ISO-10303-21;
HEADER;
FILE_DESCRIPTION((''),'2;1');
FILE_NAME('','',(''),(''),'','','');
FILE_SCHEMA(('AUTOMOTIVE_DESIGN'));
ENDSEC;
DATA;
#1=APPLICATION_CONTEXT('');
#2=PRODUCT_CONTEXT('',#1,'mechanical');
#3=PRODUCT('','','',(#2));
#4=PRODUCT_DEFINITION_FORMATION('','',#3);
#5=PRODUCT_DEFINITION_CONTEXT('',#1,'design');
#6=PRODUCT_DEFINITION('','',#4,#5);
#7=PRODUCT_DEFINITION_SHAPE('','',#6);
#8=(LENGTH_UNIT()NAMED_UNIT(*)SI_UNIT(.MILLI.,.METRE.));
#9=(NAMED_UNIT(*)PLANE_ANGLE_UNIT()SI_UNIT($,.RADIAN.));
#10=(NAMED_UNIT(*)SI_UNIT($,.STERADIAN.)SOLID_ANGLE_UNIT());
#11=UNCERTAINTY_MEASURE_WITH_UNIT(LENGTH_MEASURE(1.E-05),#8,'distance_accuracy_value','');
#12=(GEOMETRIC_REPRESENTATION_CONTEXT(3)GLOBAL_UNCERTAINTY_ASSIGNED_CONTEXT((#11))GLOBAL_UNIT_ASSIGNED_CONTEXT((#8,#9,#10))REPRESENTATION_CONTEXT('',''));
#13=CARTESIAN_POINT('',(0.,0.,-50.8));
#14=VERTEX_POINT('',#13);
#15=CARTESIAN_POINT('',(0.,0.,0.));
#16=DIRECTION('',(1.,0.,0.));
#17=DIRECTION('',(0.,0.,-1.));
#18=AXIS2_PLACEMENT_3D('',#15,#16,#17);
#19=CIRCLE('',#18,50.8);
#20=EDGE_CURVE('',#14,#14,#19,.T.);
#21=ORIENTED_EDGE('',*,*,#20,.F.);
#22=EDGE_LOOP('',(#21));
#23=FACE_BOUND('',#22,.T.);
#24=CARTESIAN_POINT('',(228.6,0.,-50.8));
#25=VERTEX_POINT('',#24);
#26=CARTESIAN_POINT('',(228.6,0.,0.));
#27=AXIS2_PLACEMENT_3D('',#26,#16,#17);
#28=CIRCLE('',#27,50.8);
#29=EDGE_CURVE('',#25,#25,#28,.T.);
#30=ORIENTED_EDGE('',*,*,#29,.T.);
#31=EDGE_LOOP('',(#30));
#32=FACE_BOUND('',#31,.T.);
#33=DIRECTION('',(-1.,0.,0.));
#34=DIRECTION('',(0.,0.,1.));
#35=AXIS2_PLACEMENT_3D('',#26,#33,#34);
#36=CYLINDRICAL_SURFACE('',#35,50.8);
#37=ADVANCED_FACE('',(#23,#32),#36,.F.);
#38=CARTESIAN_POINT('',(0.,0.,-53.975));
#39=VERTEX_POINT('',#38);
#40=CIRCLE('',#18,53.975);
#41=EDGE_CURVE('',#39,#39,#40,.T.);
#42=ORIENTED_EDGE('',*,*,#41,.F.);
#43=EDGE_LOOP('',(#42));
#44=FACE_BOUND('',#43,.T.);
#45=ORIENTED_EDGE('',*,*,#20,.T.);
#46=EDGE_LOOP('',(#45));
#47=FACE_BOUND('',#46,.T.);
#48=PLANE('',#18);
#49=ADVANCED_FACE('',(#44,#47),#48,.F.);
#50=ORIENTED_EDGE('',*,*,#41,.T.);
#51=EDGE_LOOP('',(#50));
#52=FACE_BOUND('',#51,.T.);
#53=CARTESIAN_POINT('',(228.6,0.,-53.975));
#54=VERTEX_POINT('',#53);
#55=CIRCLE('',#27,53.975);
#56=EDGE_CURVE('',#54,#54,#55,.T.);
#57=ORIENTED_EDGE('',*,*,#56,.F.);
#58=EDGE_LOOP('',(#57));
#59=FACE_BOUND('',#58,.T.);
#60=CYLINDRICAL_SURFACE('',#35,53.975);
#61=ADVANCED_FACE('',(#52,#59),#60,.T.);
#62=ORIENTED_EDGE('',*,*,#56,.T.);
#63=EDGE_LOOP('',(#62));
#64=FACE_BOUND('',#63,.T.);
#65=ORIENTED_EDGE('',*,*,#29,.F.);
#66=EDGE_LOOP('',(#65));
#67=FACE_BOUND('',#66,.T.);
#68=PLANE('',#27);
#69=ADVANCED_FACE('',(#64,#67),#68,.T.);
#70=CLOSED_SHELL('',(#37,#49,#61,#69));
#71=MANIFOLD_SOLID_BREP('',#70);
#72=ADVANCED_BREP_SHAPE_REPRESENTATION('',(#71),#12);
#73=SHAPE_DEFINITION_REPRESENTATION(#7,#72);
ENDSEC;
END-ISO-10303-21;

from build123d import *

# Parameters (mm, degrees)
SKETCH1_R           = 53.975
SKETCH1_R_2         = 50.8
BOSS_EXTRUDE1_DEPTH = 228.6


with BuildPart() as part:
    # Sketch1 → Boss-Extrude1 (new body)
    with BuildSketch(Plane(origin=(0, 0, 0), x_dir=(0, 0, -1), z_dir=(1, 0, 0))):
        Circle(SKETCH1_R)
        Circle(SKETCH1_R_2, mode=Mode.SUBTRACT)
    extrude(amount=BOSS_EXTRUDE1_DEPTH)


solid = part.part
